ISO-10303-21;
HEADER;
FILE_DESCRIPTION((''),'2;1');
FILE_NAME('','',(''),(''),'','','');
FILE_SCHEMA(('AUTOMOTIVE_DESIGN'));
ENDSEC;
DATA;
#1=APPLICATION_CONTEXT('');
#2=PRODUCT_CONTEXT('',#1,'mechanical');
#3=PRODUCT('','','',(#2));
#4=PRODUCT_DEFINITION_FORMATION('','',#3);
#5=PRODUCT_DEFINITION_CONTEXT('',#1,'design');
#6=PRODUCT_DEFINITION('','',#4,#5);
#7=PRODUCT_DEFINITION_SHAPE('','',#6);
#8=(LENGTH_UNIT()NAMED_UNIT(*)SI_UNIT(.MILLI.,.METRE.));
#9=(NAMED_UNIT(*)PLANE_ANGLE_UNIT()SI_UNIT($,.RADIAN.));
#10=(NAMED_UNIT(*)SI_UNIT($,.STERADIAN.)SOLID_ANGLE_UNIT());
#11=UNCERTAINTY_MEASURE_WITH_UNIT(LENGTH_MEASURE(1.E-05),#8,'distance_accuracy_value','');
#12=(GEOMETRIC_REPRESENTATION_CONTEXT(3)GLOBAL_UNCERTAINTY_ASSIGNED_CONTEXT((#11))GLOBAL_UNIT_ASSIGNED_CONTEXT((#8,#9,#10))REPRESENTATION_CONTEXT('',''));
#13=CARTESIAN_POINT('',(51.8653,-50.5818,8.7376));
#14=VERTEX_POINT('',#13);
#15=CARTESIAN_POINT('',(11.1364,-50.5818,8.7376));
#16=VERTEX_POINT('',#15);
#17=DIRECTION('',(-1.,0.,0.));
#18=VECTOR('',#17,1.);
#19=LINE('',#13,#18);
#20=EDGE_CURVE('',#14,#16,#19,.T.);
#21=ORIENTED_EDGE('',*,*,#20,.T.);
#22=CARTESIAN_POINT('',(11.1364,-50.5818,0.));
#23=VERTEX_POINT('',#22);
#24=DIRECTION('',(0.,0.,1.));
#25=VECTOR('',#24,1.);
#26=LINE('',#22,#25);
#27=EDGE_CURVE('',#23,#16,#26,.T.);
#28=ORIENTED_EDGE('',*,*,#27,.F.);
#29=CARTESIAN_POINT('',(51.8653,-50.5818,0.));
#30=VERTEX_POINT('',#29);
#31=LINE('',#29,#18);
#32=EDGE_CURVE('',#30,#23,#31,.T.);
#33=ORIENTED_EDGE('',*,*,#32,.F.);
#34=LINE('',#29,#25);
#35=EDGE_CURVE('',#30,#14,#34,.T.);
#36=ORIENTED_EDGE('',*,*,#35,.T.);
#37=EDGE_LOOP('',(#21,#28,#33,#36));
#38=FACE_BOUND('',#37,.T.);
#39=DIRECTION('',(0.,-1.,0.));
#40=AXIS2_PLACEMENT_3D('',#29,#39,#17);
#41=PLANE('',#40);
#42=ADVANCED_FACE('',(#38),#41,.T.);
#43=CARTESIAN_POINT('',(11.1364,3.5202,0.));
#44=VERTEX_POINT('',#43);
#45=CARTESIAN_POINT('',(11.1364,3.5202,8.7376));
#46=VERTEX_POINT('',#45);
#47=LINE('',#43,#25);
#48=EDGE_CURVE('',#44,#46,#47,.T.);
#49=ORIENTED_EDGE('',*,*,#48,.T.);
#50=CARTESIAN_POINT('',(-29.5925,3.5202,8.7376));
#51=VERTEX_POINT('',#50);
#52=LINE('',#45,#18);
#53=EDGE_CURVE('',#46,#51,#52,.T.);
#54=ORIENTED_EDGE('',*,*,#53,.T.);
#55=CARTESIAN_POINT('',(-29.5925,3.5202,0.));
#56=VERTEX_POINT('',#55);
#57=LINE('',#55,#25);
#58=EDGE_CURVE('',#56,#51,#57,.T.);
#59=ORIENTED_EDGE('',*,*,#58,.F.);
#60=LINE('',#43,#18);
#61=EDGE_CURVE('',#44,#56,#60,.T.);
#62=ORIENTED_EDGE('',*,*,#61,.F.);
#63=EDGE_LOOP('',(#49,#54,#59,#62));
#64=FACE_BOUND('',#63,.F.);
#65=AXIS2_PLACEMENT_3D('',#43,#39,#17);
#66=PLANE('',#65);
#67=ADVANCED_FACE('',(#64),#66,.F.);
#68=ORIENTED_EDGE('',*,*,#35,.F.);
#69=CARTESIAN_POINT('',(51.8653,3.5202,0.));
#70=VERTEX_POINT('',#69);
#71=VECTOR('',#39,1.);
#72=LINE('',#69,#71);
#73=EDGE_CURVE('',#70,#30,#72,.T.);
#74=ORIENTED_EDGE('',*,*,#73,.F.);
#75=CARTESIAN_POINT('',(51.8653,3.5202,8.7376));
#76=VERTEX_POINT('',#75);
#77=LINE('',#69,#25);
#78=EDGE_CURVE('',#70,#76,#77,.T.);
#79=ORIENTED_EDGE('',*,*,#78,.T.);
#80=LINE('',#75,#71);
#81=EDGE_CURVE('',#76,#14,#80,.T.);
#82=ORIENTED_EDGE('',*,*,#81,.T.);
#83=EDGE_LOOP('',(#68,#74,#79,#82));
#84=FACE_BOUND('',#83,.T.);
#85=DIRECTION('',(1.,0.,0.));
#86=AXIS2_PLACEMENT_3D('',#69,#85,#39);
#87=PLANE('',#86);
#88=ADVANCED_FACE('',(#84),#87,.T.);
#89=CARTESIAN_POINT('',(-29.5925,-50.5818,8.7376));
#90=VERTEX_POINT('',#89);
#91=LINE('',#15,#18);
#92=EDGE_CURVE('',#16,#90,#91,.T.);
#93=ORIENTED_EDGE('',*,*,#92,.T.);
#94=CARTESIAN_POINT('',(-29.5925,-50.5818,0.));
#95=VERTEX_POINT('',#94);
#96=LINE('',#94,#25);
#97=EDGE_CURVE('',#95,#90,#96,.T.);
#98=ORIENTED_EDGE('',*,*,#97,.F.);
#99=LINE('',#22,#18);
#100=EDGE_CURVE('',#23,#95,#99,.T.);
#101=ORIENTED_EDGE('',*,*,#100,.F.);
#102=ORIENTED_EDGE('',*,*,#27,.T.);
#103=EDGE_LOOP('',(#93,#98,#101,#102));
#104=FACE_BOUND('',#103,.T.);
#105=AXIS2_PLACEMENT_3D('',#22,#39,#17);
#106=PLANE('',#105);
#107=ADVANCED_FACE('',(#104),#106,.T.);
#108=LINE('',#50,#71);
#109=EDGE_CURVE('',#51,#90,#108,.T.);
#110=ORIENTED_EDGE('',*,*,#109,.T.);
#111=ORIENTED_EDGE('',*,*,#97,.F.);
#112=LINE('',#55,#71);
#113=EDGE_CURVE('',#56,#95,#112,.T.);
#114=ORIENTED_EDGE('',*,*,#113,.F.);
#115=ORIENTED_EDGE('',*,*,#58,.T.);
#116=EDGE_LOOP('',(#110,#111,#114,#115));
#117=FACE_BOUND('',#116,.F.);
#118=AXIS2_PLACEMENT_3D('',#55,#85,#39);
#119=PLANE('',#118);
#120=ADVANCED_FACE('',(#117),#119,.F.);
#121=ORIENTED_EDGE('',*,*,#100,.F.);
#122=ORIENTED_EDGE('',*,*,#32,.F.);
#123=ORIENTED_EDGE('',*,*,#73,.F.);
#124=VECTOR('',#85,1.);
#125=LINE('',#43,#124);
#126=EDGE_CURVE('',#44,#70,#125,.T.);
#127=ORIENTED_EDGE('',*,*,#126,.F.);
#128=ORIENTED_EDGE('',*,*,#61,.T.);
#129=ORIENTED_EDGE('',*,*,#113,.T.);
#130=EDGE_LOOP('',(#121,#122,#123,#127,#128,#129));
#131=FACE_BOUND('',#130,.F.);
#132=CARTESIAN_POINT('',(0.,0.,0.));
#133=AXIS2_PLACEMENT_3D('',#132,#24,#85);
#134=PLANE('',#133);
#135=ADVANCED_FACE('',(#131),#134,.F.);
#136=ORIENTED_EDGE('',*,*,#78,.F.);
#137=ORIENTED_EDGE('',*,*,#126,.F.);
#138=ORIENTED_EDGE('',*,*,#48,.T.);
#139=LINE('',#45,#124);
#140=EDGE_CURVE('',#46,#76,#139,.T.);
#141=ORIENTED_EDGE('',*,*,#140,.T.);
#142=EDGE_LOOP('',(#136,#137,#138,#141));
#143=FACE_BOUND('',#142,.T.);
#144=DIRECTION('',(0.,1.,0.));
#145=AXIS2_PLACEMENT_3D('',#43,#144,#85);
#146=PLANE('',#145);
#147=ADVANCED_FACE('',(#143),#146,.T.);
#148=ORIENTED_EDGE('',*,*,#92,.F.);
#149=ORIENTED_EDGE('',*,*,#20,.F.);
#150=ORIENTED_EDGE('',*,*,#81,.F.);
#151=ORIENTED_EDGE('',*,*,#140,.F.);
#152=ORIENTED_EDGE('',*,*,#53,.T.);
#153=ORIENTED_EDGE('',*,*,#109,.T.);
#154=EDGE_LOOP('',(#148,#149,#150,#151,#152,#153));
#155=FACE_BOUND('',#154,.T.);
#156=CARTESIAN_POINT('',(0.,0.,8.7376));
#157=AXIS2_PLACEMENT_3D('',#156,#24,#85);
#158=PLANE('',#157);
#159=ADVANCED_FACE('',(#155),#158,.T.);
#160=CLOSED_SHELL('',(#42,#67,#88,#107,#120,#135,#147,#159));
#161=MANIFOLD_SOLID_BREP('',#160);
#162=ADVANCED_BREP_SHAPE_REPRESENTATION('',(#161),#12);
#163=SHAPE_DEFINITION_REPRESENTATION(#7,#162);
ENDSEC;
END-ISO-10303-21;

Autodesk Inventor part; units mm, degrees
ref_plane "YZ Plane" through (0, 0, 0) normal (1, 0, 0) x (0, 1, 0)
ref_plane "XZ Plane" through (0, 0, 0) normal (0, 1, 0) x (-1, 0, 0)
ref_plane "XY Plane" through (0, 0, 0) normal (0, 0, 1) x (1, 0, 0)
sketch "Sketch1" plane through (0, 0, 0) normal (0, 0, 1) x (1, 0, 0)
  line L0 (11.1364, 3.5202) -> (51.8653, 3.5202)
  line L1 (51.8653, 3.5202) -> (51.8653, -50.5818)
  line L2 (51.8653, -50.5818) -> (11.1364, -50.5818)
  line L3 (11.1364, -50.5818) -> (-29.5925, -50.5818)
  line L4 (11.1364, 3.5202) -> (-29.5925, 3.5202)
  line L5 (-29.5925, 3.5202) -> (-29.5925, -50.5818)
  line L6 (51.8653, 3.5202) -> (-29.5925, 3.5202)
  line L7 (-29.5925, 3.5202) -> (-29.5925, -50.5818)
  line L8 (51.8653, -50.5818) -> (-29.5925, -50.5818)
  line L9 (51.8653, -50.5818) -> (51.8653, 3.5202)
  point P0 (0, 0)
  point P1 (0, 0)
  dimension "d0" = 40.7289
  dimension "d1" = 40.7289
extrude "Extrusion1" add sketch "Sketch1" along normal blind 8.7376
properties part number "mcdave_breadboard"
